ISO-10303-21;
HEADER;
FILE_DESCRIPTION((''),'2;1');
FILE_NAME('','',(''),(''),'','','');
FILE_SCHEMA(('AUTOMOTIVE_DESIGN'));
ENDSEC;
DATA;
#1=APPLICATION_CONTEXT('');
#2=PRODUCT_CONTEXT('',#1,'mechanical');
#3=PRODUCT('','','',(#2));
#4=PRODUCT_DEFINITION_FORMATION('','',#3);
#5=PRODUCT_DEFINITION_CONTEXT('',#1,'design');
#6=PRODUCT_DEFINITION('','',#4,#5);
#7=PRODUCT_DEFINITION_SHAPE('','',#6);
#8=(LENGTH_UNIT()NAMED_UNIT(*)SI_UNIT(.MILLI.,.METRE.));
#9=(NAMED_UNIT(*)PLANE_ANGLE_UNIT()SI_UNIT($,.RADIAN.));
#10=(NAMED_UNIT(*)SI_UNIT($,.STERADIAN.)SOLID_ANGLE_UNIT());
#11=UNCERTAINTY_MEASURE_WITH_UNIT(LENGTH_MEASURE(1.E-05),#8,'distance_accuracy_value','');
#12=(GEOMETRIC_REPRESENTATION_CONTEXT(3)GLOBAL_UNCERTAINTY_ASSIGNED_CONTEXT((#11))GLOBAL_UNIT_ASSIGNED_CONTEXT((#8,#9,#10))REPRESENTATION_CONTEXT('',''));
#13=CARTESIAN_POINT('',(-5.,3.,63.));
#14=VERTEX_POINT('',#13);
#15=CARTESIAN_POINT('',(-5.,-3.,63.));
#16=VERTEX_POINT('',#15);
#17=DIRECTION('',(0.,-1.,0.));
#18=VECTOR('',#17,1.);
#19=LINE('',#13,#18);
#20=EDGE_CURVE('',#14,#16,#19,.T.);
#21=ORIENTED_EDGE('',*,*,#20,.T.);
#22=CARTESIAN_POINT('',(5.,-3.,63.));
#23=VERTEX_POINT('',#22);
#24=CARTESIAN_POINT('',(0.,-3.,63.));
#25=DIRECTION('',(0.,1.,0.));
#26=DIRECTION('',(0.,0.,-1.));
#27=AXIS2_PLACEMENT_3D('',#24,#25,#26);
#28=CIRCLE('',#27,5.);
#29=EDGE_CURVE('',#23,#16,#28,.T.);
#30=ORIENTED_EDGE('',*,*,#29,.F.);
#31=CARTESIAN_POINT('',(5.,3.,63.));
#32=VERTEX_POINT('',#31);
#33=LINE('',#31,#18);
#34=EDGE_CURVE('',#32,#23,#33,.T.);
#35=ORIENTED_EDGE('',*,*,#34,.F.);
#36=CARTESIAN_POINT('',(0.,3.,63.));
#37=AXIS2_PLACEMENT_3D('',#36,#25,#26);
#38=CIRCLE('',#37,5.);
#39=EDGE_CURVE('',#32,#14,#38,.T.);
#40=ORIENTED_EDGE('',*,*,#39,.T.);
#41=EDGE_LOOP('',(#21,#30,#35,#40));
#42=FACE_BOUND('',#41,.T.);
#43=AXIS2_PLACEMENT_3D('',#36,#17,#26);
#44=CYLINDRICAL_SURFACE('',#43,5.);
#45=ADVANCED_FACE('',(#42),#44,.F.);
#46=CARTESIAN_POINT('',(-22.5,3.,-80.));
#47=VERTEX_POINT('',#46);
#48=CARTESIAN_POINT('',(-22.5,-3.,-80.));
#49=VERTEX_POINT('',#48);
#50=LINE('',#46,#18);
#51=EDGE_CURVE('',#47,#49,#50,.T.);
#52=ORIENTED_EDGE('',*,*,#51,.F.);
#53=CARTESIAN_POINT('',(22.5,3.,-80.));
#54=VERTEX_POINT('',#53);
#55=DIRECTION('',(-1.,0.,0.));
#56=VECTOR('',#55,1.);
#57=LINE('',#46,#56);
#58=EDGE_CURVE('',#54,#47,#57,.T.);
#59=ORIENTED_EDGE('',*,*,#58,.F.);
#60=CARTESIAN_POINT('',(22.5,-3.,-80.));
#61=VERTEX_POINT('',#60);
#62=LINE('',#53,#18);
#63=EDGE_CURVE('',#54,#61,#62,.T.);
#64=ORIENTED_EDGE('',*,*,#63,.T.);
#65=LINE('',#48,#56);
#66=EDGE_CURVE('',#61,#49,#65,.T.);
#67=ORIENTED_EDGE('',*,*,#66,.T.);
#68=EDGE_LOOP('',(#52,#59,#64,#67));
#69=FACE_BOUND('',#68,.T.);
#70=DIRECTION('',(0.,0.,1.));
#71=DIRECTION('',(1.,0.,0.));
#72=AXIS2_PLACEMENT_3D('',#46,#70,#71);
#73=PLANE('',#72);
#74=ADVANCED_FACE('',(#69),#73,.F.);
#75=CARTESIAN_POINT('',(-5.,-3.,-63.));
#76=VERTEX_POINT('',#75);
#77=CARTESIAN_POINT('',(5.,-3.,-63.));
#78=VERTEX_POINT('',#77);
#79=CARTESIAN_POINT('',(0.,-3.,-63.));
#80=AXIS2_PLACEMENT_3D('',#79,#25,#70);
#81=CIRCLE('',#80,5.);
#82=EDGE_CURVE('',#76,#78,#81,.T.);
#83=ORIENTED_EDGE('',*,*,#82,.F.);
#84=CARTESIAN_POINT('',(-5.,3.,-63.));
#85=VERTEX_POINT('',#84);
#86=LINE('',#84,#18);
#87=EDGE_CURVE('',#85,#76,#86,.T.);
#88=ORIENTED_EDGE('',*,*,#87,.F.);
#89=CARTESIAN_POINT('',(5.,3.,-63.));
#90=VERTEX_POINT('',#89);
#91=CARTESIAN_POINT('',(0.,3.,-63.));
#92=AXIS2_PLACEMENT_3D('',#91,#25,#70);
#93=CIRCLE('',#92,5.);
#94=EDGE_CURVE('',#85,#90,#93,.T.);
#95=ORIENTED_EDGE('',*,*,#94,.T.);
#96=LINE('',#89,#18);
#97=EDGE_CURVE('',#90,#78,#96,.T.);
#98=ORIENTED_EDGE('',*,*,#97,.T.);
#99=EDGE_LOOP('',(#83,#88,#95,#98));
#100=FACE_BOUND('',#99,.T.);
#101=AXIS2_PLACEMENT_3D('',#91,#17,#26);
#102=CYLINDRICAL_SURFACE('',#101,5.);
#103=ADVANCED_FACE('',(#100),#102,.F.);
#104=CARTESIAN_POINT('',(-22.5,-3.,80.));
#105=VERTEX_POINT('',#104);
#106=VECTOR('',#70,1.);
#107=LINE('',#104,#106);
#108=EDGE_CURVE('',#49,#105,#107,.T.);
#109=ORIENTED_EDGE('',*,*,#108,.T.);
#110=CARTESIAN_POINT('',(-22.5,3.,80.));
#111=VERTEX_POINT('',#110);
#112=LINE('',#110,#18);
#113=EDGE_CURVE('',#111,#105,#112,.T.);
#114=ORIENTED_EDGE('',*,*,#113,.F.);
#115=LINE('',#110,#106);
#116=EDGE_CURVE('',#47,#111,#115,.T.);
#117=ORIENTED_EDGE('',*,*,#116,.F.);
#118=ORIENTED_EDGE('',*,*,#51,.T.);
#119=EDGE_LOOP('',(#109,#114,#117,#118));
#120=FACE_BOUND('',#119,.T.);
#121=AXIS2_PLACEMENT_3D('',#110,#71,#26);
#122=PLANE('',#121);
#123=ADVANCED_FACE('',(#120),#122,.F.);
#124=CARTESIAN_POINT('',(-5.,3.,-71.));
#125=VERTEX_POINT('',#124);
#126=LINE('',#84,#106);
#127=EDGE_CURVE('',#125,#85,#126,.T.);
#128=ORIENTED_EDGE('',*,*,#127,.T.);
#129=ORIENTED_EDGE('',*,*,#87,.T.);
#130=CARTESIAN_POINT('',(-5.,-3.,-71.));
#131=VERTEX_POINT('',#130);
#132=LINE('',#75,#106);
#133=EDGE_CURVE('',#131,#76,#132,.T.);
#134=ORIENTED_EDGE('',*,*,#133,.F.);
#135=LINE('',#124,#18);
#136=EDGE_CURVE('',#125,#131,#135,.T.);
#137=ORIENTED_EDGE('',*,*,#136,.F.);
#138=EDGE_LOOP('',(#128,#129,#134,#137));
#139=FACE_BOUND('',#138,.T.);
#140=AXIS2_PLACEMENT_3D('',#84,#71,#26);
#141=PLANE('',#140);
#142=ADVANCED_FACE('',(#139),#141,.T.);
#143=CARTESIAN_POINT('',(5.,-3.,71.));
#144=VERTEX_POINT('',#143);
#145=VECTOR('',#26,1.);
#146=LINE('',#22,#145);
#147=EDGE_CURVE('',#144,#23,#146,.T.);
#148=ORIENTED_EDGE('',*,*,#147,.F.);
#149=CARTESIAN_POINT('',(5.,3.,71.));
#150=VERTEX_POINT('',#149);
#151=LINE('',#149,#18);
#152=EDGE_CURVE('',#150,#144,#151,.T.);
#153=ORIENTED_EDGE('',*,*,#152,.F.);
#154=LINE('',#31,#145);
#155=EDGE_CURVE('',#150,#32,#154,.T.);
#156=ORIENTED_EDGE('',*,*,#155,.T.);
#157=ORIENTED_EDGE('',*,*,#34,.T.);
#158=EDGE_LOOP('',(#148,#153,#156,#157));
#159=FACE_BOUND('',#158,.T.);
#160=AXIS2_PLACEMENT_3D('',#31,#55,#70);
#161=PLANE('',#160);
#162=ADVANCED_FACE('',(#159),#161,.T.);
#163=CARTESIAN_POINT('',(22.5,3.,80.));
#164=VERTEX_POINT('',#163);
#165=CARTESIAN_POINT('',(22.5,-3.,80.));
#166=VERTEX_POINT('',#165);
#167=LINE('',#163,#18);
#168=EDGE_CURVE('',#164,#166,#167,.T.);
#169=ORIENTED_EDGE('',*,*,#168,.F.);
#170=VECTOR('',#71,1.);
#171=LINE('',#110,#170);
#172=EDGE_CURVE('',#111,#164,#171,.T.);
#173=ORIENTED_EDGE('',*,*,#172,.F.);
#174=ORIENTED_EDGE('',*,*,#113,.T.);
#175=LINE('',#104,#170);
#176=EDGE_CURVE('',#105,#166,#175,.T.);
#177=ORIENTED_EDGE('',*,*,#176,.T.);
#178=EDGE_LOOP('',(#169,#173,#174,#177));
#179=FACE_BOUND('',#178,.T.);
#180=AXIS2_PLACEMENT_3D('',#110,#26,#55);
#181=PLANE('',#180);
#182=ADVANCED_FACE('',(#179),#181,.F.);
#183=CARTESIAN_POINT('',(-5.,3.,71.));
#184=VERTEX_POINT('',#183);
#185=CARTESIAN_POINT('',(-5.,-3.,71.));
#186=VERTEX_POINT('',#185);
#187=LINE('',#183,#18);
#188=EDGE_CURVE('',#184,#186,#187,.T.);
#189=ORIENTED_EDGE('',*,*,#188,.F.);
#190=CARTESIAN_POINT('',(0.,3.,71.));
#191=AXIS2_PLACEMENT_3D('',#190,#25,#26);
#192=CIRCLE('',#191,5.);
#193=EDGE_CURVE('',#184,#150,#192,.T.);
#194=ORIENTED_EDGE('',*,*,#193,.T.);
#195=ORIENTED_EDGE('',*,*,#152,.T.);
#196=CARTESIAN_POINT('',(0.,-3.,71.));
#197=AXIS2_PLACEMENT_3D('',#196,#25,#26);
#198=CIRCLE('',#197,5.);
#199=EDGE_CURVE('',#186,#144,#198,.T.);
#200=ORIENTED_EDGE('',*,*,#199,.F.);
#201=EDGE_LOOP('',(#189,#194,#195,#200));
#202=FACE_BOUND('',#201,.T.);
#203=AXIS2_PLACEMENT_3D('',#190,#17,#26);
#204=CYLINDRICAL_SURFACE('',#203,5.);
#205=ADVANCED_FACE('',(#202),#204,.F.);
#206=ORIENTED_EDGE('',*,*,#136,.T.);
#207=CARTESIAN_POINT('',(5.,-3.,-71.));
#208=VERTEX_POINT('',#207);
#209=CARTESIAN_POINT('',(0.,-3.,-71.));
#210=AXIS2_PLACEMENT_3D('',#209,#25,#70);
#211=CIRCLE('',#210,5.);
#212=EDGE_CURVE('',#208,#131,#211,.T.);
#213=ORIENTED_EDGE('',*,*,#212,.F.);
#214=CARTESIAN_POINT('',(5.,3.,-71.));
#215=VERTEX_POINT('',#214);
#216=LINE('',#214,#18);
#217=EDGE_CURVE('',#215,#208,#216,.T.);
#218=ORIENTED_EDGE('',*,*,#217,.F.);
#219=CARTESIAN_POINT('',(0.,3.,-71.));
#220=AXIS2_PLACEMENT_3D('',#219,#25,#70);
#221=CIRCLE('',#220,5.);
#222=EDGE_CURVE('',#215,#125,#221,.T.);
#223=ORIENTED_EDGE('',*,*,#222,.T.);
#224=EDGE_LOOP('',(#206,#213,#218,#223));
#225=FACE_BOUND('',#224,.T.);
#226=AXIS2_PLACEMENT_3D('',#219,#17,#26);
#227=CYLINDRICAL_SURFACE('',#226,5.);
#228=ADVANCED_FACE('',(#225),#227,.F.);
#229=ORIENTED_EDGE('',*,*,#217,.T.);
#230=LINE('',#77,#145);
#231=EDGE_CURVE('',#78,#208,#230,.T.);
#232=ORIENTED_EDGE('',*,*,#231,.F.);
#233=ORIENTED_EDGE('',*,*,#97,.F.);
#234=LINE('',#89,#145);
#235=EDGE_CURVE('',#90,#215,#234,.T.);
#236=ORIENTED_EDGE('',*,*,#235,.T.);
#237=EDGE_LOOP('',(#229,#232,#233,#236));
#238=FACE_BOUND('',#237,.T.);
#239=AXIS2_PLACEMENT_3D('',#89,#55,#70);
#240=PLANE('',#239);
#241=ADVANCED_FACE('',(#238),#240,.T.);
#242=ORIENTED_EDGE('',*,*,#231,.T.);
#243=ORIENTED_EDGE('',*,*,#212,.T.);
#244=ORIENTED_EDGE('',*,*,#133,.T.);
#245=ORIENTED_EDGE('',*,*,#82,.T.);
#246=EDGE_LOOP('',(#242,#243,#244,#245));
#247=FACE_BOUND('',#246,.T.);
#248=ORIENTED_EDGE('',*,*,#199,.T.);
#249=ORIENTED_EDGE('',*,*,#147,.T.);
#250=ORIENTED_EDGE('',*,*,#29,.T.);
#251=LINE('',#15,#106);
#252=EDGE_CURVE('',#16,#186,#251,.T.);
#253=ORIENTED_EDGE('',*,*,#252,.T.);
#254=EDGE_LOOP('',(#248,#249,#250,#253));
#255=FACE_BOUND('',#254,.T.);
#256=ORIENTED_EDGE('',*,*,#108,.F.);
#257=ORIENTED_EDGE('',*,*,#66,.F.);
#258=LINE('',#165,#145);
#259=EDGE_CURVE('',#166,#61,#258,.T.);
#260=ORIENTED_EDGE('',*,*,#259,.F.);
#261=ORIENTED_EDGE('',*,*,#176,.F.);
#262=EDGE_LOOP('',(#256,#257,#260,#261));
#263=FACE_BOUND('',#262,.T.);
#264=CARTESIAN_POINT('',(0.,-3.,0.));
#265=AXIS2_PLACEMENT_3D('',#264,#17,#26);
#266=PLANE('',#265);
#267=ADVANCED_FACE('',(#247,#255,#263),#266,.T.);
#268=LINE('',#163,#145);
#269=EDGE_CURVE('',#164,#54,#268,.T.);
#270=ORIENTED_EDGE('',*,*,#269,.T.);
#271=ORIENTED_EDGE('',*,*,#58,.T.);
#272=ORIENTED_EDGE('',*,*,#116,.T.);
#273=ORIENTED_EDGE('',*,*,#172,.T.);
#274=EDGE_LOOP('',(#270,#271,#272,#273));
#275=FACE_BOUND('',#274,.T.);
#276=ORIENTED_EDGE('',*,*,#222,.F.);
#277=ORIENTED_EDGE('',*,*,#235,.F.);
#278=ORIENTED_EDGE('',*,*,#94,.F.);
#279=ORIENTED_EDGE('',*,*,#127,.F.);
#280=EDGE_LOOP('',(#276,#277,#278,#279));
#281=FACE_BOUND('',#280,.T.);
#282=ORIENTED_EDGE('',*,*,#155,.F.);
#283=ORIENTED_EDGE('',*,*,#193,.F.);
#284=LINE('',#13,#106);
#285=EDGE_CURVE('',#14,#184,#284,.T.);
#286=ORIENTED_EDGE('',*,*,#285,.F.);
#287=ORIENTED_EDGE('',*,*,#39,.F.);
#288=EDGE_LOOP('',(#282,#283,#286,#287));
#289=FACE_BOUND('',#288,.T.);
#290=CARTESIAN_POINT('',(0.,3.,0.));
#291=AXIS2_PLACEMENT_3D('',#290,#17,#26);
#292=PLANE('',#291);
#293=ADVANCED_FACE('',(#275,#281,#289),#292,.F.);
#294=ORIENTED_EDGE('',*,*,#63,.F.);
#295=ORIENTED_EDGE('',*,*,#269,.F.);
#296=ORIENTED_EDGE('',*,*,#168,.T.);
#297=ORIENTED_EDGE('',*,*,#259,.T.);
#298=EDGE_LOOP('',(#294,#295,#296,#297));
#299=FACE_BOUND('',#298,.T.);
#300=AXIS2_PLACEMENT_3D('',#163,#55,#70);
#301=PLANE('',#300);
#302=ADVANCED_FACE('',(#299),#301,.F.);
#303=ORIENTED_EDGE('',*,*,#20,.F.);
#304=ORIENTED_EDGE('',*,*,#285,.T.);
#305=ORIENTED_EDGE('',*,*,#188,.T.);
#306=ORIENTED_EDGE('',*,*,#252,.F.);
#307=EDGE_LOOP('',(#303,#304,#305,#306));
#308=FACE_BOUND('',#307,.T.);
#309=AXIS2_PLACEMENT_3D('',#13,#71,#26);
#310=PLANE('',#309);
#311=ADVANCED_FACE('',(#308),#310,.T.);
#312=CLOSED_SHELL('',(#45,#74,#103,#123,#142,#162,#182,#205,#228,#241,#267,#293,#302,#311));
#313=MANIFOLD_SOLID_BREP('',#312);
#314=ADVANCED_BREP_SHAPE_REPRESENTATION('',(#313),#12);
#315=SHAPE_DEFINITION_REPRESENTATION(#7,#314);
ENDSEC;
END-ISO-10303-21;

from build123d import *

# Parameters (mm, degrees)
SKETCH_2_W      = 45
SKETCH_2_H      = 160
EXTRUDE_1_DEPTH = 3


with BuildPart() as part:
    # Эскиз2 → Бобышка-Вытянуть1 (new, symmetric)
    with BuildSketch(Plane(origin=(0, 0, 0), x_dir=(1, 0, 0), z_dir=(0, 1, 0))):
        Rectangle(SKETCH_2_W, SKETCH_2_H)
        with BuildLine():
            Line((-5, 63), (-5, 71))
            ThreePointArc((-5, 71), (0, 76), (5, 71))
            Line((5, 71), (5, 63))
            ThreePointArc((5, 63), (0, 58), (-5, 63))
        make_face(mode=Mode.SUBTRACT)
        with BuildLine():
            Line((-5, -63), (-5, -71))
            ThreePointArc((-5, -71), (0, -76), (5, -71))
            Line((5, -71), (5, -63))
            ThreePointArc((5, -63), (0, -58), (-5, -63))
        make_face(mode=Mode.SUBTRACT)
    extrude(amount=EXTRUDE_1_DEPTH, both=True)


solid = part.part
